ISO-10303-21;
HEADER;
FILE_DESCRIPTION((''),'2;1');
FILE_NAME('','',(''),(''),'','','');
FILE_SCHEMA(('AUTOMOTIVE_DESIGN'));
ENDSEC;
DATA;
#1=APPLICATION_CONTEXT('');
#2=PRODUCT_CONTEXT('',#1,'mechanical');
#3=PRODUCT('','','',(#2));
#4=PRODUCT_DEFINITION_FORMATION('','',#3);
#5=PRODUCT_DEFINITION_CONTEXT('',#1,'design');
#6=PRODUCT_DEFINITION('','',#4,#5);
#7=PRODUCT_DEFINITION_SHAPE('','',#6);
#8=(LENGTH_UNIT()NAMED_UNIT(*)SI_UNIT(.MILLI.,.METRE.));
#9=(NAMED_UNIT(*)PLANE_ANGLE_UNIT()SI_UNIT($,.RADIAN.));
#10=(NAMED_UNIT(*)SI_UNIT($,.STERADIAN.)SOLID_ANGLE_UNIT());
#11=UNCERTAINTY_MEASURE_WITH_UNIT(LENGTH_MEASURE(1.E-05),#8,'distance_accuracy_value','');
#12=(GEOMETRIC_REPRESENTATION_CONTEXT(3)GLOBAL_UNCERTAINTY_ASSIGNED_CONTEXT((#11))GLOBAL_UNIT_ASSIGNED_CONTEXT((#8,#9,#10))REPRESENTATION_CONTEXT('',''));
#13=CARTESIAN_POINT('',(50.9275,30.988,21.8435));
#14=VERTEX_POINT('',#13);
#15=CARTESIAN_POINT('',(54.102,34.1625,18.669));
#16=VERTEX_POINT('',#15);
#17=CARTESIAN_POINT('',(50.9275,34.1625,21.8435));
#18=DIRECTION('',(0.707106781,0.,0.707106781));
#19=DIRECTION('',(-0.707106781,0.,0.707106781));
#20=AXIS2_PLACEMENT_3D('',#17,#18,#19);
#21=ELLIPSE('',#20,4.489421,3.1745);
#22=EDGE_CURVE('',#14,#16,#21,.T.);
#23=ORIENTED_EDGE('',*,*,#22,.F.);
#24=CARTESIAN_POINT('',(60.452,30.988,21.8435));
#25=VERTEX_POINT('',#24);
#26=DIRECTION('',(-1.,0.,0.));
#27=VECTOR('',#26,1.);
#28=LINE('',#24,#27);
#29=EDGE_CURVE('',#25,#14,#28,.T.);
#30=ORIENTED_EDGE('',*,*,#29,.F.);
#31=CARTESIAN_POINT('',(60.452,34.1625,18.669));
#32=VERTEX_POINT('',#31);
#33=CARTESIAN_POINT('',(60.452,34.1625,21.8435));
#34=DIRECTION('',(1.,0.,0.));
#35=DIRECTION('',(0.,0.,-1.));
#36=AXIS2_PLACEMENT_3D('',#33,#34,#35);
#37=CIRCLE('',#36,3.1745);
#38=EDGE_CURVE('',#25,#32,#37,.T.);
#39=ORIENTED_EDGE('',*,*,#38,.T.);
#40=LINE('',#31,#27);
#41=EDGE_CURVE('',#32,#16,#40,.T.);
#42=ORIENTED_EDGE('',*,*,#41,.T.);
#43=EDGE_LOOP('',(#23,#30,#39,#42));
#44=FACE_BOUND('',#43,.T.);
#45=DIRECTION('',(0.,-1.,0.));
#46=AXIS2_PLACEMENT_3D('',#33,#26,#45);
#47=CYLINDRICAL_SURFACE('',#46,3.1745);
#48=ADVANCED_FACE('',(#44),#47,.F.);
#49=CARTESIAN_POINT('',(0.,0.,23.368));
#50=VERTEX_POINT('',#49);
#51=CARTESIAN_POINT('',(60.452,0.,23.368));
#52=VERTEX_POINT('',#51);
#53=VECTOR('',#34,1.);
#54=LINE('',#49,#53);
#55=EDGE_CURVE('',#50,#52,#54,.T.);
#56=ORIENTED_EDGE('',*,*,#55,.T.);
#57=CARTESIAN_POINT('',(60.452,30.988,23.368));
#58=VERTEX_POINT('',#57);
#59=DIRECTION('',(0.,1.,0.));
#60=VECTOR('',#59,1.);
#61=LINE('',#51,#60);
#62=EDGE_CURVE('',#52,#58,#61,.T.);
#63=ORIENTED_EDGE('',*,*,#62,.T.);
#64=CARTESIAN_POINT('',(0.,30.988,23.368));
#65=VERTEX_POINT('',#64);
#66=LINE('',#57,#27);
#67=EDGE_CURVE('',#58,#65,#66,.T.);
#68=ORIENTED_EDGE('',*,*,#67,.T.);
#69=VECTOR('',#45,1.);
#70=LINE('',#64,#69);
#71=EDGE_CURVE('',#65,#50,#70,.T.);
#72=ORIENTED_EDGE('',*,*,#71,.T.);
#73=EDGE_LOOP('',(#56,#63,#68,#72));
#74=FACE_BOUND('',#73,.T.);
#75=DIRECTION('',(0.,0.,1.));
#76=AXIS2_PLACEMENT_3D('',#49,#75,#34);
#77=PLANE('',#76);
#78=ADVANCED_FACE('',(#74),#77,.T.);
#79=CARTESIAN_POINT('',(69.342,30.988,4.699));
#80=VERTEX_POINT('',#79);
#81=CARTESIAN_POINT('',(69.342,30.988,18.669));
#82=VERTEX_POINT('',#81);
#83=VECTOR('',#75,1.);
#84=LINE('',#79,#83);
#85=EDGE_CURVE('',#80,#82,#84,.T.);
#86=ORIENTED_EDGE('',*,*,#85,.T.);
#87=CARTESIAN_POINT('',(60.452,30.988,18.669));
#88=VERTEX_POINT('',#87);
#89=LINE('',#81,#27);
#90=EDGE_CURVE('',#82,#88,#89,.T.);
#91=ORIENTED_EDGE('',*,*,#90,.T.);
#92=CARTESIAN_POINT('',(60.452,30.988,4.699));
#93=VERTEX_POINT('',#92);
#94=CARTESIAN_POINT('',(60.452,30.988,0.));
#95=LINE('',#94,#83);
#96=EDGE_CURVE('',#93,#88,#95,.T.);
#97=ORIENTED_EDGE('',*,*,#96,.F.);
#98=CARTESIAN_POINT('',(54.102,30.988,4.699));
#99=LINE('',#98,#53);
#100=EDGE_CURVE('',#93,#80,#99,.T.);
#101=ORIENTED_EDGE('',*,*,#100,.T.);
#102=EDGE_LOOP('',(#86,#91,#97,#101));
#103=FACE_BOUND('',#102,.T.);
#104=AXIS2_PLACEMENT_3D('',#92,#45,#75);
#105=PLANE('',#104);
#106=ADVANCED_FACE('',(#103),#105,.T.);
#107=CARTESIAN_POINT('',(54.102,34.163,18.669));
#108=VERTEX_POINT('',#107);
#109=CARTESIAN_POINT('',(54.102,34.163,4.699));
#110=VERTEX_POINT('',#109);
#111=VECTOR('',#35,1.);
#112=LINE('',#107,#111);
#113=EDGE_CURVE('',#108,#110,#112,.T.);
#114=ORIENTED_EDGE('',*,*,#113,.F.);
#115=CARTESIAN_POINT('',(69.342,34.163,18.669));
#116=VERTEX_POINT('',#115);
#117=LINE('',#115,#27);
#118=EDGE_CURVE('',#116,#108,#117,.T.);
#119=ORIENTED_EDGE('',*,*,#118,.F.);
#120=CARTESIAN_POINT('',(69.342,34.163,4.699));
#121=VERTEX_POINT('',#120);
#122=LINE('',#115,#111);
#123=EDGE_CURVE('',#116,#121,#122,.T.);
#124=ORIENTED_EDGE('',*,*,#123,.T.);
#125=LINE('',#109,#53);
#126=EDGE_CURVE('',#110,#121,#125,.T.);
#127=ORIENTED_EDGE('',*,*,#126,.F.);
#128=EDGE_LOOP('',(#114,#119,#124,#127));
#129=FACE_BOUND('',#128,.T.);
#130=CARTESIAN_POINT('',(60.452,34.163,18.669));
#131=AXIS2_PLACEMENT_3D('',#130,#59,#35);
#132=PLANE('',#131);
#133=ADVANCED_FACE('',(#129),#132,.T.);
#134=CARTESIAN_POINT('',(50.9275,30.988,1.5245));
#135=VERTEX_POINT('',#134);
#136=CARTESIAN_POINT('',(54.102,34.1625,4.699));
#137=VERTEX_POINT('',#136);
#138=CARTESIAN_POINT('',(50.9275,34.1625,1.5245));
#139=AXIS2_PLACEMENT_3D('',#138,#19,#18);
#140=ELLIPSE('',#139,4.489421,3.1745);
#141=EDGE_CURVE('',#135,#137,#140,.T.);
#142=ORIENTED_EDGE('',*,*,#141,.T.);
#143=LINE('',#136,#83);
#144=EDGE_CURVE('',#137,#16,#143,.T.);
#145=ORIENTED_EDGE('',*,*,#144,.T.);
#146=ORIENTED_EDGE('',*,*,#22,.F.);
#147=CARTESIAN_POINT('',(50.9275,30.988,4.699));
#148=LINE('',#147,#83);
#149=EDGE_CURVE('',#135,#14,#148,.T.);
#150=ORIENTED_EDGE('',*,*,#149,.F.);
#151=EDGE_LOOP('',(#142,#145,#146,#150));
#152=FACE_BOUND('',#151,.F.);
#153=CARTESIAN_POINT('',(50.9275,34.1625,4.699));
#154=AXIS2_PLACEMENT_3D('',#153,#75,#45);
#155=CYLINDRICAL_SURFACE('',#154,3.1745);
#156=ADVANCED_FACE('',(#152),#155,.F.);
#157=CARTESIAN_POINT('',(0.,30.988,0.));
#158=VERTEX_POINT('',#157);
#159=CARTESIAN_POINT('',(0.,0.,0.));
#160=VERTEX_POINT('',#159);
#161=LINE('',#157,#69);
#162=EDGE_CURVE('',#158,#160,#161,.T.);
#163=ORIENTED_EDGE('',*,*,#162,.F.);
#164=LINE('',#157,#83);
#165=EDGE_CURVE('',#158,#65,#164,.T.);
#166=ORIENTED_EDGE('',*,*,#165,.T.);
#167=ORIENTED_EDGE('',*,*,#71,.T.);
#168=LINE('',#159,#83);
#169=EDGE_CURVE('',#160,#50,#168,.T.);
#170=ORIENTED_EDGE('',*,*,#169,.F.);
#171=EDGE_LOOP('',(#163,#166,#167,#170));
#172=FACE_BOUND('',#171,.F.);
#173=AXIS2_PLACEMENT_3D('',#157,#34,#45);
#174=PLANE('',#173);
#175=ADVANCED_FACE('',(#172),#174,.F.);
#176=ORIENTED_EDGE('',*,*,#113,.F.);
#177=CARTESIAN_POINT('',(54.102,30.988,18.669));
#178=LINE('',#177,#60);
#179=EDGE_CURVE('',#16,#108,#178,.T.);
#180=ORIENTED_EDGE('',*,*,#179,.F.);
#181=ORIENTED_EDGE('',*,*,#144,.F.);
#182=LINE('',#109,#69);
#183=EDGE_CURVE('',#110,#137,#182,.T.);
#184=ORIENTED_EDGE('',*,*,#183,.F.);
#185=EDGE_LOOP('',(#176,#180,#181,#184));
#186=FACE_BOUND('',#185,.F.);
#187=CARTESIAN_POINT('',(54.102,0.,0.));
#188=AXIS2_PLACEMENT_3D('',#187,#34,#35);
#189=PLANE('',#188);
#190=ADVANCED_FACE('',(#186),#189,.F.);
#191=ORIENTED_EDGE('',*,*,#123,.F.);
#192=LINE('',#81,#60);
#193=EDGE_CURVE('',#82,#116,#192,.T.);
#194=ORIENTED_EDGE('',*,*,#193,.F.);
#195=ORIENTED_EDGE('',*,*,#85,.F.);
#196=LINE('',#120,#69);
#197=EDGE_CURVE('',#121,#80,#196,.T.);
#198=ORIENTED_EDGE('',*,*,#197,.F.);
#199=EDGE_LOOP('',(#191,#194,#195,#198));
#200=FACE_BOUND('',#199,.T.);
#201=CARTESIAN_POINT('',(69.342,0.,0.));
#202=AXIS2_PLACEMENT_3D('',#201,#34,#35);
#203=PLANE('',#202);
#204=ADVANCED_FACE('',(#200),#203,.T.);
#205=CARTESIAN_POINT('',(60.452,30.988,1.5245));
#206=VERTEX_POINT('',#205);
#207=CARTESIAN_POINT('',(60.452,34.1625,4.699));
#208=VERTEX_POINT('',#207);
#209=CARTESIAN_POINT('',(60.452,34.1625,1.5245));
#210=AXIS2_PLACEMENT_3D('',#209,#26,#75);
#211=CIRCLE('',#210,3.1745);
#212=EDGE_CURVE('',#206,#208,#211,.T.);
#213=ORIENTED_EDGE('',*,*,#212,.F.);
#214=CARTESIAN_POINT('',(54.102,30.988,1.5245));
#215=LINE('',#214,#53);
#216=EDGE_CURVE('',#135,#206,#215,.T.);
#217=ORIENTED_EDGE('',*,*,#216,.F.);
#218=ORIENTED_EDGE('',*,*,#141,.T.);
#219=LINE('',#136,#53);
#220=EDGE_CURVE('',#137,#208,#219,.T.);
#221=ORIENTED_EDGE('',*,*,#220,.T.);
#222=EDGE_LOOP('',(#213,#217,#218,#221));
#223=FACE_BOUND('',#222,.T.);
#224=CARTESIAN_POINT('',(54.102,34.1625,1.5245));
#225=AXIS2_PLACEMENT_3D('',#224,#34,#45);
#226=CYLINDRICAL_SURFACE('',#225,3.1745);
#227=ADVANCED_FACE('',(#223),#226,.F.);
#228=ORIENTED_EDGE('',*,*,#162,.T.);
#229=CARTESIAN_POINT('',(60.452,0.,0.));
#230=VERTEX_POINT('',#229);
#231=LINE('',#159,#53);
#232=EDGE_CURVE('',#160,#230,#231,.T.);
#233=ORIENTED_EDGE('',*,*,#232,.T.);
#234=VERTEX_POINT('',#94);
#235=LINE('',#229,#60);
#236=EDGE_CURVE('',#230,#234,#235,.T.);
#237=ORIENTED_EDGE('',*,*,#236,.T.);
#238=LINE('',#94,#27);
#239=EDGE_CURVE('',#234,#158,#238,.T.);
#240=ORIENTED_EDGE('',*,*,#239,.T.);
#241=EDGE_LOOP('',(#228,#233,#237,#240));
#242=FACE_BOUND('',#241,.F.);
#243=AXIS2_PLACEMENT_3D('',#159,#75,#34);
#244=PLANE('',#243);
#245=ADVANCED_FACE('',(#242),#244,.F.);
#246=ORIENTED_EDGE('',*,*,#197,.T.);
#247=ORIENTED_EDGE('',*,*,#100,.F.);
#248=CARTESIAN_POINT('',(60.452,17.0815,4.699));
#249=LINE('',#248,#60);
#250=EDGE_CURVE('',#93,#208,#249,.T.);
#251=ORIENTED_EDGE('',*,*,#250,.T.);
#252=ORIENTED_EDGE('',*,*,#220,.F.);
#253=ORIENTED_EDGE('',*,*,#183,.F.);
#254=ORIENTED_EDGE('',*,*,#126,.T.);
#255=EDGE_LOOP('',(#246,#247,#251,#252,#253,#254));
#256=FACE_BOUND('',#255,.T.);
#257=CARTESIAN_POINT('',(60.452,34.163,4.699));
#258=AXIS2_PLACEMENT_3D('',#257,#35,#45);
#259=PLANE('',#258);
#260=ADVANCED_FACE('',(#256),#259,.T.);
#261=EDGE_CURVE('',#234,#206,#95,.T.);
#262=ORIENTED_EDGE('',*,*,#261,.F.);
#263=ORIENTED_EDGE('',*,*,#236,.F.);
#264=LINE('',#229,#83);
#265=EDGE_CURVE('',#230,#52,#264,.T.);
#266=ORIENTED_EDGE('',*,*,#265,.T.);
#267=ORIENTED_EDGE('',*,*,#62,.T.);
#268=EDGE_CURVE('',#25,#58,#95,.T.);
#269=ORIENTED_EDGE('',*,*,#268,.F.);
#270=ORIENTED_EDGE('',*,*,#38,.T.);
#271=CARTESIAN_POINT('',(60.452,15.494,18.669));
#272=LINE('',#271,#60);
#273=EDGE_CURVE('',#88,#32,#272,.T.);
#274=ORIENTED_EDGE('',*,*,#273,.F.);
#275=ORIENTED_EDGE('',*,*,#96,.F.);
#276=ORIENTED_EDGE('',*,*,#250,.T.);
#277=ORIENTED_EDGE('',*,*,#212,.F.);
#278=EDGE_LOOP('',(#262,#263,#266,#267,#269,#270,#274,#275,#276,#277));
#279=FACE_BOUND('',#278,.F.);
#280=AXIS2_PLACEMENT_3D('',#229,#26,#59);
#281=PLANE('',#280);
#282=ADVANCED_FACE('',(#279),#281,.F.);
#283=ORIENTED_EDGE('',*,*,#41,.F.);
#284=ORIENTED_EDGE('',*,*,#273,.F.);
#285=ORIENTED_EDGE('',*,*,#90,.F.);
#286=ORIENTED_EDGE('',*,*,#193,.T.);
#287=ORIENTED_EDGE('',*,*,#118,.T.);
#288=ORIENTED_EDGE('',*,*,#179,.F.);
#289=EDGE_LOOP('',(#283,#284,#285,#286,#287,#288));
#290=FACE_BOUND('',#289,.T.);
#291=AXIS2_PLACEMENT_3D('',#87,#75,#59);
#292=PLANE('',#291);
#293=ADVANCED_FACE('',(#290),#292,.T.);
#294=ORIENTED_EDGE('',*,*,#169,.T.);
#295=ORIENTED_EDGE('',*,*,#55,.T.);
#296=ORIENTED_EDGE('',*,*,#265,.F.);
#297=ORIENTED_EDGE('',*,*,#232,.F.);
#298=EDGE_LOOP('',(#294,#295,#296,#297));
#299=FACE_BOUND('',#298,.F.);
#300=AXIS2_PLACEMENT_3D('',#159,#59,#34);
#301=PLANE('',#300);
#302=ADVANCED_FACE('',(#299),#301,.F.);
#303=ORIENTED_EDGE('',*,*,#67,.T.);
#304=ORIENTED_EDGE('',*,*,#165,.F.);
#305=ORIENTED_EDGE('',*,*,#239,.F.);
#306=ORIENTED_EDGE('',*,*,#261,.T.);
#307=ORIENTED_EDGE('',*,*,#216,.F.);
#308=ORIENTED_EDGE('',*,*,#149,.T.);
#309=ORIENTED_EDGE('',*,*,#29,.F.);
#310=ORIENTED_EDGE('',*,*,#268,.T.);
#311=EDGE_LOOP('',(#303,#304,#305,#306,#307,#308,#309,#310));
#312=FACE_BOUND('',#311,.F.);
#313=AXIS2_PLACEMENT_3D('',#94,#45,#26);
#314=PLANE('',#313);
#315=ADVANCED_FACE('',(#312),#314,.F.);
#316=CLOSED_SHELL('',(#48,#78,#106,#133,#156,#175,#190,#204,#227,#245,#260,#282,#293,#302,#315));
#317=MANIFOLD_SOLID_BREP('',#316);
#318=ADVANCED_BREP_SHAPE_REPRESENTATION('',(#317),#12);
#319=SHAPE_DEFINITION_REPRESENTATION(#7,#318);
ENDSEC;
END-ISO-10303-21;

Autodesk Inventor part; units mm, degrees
ref_plane "YZ Plane" through (0, 0, 0) normal (1, 0, 0) x (0, 1, 0)
ref_plane "XZ Plane" through (0, 0, 0) normal (0, 1, 0) x (-1, 0, 0)
ref_plane "XY Plane" through (0, 0, 0) normal (0, 0, 1) x (1, 0, 0)
sketch "Sketch1" plane through (0, 0, 0) normal (0, 0, 1) x (1, 0, 0)
  line L0 (0, 0) -> (60.452, 0)
  line L1 (60.452, 0) -> (60.452, 30.988)
  line L2 (60.452, 30.988) -> (0, 30.988)
  line L3 (0, 30.988) -> (0, 0)
  dimension "d0" = 60.452
  dimension "d1" = 30.988
extrude "Extrusion1" add sketch "Sketch1" along normal blind 23.368
sketch "Sketch2" plane through (60.452, 0, 0) normal (1, 0, 0) x (0, 0, -1)
  line L0 (-4.699, 30.988) -> (-18.669, 30.988)
  line L1 (-18.669, 30.988) -> (-18.669, 34.163)
  line L2 (-18.669, 34.163) -> (-4.699, 34.163)
  line L3 (-4.699, 34.163) -> (-4.699, 30.988)
  line L4 (0, 30.988) -> (-23.368, 30.988) projected
  point P0 (0, 0)
  point P1 (-11.684, 34.163)
  point P2 (-11.684, 30.988)
  point P3 (-11.684, 30.988)
  dimension "d4" = 13.97
  dimension "d5" = 3.175
extrude "Extrusion2" add sketch "Sketch2" along normal blind 8.89 and the other way blind 6.35
fillet "Fillet1" radius 3.175 3 edges at (54.102, 30.988, 11.684) (57.277, 30.988, 18.669) (57.277, 30.988, 4.699)
properties part number "ASDSBattery" material "ABS Plastic"
